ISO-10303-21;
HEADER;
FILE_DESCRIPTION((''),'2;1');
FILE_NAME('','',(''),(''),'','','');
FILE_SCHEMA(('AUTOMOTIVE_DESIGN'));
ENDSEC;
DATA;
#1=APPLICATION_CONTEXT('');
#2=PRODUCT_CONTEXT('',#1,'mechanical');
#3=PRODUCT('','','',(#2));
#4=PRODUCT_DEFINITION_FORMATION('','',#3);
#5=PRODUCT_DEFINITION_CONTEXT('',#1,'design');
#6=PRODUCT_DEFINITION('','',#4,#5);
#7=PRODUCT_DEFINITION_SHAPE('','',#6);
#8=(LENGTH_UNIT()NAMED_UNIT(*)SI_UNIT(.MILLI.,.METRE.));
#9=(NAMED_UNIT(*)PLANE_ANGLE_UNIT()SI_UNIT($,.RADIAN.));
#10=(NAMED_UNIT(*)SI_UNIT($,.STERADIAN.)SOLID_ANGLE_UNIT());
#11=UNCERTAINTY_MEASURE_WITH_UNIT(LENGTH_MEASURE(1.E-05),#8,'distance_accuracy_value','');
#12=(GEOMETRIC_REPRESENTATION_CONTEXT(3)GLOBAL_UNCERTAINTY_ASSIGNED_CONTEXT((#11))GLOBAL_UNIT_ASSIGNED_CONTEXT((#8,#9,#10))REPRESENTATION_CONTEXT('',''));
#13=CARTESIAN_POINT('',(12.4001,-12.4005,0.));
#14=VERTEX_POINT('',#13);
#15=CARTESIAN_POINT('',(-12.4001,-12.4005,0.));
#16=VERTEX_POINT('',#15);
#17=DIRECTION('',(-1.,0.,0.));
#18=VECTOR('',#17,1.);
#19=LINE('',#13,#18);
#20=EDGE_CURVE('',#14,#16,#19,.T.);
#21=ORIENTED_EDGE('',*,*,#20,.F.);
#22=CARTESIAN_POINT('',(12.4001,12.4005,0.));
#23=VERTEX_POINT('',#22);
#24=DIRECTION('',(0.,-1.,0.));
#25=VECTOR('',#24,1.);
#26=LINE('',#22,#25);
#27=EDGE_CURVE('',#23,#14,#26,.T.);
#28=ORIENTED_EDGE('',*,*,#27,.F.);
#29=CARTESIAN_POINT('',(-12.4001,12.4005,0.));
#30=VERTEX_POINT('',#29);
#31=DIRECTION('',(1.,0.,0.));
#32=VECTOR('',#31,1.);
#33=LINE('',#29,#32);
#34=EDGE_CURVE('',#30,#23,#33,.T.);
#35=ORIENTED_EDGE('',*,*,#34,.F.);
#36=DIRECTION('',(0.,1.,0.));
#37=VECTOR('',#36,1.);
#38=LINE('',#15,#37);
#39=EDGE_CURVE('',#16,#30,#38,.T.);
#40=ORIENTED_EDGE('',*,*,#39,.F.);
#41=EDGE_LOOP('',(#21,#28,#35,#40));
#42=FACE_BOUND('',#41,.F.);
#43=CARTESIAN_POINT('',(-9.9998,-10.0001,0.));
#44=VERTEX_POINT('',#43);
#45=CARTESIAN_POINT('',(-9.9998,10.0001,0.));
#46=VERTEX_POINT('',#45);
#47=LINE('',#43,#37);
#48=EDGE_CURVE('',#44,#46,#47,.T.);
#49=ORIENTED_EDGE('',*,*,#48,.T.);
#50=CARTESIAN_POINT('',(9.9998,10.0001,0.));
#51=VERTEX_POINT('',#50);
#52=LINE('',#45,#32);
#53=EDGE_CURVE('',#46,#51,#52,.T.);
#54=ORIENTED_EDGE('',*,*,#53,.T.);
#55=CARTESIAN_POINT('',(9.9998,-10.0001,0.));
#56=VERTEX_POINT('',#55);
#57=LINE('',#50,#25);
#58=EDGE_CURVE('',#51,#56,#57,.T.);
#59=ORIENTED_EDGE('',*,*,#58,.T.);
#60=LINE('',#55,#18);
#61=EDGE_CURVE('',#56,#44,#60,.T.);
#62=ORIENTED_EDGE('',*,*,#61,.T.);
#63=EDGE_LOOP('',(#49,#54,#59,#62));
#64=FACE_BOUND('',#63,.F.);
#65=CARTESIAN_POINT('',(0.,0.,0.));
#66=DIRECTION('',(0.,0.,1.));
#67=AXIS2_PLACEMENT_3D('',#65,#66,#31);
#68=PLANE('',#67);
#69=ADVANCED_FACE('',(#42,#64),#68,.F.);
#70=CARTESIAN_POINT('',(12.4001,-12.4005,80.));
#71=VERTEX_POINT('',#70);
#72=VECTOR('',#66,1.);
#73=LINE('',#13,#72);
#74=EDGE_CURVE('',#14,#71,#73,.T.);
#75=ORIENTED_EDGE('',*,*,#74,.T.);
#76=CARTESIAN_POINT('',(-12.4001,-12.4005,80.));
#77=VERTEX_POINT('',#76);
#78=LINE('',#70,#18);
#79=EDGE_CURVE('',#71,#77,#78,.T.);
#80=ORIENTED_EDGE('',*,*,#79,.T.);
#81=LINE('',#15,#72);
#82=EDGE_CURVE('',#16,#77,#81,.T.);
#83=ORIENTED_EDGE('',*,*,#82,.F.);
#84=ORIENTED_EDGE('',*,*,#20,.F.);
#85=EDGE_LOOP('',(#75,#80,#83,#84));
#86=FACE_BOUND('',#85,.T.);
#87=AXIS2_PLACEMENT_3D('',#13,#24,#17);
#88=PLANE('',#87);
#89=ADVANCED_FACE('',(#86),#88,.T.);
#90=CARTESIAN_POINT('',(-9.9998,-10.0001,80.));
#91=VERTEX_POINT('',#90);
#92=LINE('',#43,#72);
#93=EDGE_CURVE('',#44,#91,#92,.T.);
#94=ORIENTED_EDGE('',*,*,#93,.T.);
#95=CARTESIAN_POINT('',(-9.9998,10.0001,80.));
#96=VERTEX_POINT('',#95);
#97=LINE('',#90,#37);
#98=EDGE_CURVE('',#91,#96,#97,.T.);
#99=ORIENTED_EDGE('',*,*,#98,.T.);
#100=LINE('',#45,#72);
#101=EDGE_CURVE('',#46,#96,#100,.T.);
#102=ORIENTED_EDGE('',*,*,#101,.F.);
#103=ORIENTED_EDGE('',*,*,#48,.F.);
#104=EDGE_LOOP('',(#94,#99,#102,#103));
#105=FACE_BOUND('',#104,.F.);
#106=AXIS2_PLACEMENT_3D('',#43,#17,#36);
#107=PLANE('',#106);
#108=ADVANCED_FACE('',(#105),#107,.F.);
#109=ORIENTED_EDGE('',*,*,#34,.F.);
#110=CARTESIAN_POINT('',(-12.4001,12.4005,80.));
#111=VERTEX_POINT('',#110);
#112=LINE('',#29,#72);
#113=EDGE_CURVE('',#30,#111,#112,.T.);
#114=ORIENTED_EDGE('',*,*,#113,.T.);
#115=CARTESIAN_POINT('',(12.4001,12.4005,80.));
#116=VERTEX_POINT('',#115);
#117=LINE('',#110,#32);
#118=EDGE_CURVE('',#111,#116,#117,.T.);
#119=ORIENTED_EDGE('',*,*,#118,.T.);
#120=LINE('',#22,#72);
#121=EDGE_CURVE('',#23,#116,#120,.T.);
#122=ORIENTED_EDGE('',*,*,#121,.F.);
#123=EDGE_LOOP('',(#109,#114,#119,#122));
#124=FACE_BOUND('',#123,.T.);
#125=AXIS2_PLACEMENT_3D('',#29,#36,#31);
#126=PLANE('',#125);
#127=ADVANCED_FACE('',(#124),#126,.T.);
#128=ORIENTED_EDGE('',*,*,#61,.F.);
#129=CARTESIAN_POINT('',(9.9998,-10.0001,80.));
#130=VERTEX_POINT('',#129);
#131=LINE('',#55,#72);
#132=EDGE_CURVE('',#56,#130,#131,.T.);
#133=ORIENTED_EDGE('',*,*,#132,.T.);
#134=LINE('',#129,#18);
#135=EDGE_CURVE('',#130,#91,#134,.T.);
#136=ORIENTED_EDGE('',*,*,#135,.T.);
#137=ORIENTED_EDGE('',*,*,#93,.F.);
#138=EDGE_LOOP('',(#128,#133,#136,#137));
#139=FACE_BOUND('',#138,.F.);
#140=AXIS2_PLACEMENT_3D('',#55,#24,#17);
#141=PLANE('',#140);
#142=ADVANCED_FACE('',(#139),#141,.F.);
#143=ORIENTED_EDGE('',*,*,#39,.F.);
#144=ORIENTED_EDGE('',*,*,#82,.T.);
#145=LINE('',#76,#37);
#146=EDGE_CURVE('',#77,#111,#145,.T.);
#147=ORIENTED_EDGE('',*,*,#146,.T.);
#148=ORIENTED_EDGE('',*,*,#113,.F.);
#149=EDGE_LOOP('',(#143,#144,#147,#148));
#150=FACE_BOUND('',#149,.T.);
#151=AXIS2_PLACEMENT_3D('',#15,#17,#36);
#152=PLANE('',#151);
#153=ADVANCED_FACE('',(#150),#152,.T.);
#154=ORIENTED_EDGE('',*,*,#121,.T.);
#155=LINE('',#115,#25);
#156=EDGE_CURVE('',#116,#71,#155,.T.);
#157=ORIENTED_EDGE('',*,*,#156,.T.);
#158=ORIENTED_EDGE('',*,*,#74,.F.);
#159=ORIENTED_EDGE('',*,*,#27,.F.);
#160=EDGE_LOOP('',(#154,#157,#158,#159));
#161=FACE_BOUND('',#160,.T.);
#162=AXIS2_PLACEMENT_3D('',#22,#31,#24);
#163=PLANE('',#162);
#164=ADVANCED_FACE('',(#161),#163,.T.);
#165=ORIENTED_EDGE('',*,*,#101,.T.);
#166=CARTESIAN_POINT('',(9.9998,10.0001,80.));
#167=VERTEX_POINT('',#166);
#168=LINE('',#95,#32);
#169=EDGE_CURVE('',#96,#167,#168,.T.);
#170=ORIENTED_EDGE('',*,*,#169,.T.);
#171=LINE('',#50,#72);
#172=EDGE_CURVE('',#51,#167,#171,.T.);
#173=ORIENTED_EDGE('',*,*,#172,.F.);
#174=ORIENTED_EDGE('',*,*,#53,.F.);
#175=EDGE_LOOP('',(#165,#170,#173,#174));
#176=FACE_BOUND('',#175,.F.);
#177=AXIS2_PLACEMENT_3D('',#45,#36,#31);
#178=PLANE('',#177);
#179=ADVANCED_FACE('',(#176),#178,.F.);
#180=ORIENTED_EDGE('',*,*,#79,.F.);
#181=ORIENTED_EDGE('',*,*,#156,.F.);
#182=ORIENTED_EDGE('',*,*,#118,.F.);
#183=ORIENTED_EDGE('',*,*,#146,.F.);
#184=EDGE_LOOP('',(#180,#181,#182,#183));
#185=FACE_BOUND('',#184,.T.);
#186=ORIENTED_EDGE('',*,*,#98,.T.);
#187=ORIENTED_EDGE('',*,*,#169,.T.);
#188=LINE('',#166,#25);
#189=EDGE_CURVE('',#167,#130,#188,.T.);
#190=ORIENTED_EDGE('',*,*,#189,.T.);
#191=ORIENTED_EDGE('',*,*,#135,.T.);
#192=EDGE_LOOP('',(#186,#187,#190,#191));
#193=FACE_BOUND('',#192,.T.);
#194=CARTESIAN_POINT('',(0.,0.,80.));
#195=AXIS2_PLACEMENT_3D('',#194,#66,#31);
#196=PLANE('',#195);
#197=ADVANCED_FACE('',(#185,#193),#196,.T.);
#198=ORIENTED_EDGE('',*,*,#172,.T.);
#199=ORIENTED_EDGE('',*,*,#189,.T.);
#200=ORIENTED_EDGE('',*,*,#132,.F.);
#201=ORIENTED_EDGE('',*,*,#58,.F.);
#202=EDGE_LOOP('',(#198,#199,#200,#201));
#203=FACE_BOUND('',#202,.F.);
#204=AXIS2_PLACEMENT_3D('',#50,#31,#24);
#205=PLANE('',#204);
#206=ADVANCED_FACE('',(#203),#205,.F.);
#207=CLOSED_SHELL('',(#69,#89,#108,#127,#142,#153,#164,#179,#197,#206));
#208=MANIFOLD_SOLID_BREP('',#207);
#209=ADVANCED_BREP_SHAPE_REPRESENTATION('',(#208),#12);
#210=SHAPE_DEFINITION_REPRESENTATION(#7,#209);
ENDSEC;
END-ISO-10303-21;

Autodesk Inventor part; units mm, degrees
ref_plane "YZ Plane" through (0, 0, 0) normal (1, 0, 0) x (0, 1, 0)
ref_plane "XZ Plane" through (0, 0, 0) normal (0, 1, 0) x (-1, 0, 0)
ref_plane "XY Plane" through (0, 0, 0) normal (0, 0, 1) x (1, 0, 0)
sketch "Sketch1" plane through (0, 0, 0) normal (0, 0, 1) x (1, 0, 0)
  line L0 (-9.9998, 10.0001) -> (9.9998, 10.0001)
  line L1 (9.9998, 10.0001) -> (9.9998, -10.0001)
  line L2 (9.9998, -10.0001) -> (-9.9998, -10.0001)
  line L3 (-9.9998, -10.0001) -> (-9.9998, 10.0001)
  line L4 (-9.9998, 10.0001) -> (9.9998, -10.0001) construction
  line L5 (9.9998, 10.0001) -> (-9.9998, -10.0001) construction
  line L6 (-12.4001, 12.4005) -> (12.4001, 12.4005)
  line L7 (12.4001, 12.4005) -> (12.4001, -12.4005)
  line L8 (12.4001, -12.4005) -> (-12.4001, -12.4005)
  line L9 (-12.4001, -12.4005) -> (-12.4001, 12.4005)
  line L10 (-12.4001, 12.4005) -> (12.4001, -12.4005) construction
  line L11 (12.4001, 12.4005) -> (-12.4001, -12.4005) construction
  point P0 (0, 0)
extrude "Extrusion1" add sketch "Sketch1" along normal blind 80
properties part number "enclosure_80x25x25_mm"
